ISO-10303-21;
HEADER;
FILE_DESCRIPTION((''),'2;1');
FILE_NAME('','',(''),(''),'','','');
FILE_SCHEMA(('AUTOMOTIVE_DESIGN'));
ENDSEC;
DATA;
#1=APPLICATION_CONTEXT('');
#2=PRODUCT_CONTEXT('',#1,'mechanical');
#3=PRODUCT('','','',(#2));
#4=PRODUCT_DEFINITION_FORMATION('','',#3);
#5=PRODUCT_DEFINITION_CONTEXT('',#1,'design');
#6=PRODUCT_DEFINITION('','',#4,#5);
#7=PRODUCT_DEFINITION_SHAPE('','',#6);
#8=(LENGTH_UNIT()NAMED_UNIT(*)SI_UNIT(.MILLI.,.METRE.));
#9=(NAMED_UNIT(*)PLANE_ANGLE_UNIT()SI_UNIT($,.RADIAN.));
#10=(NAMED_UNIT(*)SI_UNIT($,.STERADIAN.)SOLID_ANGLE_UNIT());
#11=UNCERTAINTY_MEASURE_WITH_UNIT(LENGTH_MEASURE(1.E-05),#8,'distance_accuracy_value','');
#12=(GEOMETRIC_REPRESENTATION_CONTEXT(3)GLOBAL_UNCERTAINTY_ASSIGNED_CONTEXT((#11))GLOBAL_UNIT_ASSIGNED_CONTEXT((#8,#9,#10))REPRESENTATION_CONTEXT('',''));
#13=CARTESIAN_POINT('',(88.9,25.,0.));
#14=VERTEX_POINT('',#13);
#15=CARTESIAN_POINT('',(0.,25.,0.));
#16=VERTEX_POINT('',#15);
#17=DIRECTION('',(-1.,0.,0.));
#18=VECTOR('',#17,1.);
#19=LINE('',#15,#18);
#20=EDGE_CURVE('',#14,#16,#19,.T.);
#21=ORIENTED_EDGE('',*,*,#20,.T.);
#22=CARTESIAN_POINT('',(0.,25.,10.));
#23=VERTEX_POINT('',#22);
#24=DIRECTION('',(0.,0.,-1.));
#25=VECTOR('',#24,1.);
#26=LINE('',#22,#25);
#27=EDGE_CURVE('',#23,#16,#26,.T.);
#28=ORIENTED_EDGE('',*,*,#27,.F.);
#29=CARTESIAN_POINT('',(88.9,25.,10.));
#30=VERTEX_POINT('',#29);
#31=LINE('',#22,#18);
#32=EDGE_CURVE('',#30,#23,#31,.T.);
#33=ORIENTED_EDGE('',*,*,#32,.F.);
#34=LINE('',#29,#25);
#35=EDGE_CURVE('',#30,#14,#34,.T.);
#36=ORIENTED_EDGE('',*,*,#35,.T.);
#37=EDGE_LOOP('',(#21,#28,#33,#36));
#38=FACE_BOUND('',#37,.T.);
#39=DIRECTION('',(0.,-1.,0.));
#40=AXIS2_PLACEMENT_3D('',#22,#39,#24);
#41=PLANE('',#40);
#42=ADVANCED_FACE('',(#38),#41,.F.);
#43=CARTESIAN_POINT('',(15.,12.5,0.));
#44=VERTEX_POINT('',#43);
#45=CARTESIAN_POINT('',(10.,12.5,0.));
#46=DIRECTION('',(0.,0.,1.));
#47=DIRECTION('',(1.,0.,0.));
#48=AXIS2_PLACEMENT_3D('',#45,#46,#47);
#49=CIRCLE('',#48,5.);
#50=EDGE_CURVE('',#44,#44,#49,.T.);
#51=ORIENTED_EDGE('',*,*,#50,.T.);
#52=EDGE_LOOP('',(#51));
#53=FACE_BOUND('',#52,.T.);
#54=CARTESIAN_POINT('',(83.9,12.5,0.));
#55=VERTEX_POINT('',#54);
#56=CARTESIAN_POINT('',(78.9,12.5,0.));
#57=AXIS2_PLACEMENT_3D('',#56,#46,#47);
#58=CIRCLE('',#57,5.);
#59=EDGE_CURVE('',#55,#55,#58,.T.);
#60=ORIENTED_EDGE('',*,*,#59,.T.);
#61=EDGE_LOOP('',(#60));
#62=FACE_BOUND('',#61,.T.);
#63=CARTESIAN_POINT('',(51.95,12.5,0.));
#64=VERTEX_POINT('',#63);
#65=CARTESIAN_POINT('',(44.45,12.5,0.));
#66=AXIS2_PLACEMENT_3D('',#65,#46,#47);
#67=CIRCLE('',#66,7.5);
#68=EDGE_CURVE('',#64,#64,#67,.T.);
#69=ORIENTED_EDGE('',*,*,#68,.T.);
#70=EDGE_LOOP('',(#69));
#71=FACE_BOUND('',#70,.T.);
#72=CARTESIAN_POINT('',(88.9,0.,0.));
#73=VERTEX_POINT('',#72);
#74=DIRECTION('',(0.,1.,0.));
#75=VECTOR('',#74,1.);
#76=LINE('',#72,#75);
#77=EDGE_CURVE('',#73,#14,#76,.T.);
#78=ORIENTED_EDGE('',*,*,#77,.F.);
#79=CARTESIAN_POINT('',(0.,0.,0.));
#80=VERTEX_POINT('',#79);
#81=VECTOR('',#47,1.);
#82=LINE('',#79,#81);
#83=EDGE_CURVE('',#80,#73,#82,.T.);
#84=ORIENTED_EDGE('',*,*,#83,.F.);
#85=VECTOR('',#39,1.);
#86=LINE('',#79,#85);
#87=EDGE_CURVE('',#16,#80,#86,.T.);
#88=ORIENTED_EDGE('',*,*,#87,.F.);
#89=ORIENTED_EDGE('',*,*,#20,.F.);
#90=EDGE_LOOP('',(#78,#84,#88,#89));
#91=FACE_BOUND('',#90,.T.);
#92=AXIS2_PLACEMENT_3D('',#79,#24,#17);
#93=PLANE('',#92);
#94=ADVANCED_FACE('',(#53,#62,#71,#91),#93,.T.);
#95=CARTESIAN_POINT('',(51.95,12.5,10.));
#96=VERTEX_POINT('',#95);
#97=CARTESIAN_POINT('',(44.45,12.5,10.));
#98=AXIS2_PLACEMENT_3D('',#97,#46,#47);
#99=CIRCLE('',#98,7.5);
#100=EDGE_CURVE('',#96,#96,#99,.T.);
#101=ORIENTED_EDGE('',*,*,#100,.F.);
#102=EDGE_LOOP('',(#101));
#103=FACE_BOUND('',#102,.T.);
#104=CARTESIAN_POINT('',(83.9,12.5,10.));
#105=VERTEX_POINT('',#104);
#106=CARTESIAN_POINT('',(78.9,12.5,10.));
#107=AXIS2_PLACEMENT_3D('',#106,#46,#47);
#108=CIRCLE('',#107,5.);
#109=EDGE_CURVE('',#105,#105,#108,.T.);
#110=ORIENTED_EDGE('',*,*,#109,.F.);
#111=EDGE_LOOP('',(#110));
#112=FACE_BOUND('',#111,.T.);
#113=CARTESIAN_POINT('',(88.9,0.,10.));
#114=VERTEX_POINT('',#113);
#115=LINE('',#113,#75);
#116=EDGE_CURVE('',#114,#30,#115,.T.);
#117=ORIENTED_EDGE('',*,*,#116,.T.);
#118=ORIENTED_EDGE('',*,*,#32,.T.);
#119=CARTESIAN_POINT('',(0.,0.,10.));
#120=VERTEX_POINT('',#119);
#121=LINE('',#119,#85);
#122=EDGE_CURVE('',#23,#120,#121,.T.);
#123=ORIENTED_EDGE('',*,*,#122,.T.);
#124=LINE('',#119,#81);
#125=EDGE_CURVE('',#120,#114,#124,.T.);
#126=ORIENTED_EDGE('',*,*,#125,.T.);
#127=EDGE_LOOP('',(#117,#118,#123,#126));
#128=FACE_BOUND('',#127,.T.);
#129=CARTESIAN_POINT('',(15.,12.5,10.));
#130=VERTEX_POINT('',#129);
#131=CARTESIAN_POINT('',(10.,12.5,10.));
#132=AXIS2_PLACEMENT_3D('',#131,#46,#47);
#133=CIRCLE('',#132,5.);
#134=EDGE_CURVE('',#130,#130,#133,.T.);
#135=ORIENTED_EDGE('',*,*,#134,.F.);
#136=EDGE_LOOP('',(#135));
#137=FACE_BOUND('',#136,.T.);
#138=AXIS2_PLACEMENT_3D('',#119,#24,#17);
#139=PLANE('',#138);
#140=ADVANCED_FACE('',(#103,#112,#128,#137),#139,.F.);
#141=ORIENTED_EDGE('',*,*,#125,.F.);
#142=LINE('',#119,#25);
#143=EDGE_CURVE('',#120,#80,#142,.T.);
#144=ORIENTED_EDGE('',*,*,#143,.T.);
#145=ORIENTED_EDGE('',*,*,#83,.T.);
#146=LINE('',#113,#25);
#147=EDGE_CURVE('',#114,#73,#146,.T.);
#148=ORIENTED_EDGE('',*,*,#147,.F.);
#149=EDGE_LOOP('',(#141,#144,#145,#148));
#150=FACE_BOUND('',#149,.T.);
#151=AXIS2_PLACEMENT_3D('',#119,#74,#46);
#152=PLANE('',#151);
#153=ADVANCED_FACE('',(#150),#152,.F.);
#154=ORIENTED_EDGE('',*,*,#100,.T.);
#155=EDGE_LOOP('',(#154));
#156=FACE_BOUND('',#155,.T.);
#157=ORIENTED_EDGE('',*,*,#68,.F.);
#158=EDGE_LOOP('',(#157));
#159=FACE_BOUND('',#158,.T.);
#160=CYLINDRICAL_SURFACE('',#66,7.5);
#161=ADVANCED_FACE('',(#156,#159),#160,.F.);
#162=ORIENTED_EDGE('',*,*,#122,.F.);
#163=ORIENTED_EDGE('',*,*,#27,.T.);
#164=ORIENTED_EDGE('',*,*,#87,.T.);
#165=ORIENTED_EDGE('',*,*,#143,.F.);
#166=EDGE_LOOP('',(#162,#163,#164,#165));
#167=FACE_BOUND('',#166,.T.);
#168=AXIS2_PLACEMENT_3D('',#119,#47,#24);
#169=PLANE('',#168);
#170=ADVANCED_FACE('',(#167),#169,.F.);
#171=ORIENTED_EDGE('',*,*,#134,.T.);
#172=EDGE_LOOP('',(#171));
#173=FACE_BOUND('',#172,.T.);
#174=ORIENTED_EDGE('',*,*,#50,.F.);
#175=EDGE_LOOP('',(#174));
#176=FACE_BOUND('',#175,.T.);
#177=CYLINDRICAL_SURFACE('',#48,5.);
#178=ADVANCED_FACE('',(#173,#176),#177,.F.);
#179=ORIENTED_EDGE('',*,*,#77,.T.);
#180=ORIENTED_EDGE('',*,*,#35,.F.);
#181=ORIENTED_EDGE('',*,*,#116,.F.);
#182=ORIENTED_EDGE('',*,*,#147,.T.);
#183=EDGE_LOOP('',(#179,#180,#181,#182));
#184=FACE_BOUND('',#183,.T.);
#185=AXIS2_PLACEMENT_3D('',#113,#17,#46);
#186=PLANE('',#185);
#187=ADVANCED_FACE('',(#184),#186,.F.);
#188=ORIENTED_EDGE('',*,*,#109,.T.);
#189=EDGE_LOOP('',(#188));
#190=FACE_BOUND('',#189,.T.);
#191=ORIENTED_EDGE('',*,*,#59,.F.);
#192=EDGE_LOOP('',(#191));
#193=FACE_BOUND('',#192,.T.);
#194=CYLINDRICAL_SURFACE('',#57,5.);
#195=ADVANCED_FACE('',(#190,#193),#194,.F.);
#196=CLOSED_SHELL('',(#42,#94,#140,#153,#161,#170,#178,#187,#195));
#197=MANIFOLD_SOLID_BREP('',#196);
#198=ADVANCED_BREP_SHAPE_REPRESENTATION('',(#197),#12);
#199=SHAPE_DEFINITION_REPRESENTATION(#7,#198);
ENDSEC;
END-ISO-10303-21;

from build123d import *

# Parameters (mm, degrees)
SKETCH1_W           = 88.9
SKETCH1_H           = 25
BOSS_EXTRUDE1_DEPTH = 10
SKETCH2_R           = 5
SKETCH2_R_2         = 7.5
CUT_EXTRUDE1_DEPTH  = 93.888158556


with BuildPart() as part:
    # Sketch1 → Boss-Extrude1 (new body)
    with BuildSketch(Plane.XY):
        with Locations((44.45, 12.5)):
            Rectangle(SKETCH1_W, SKETCH1_H)
    extrude(amount=BOSS_EXTRUDE1_DEPTH)

    # Sketch2 → Cut-Extrude1 (cut, through all)
    with BuildSketch(Plane.XY.offset(10)):
        with Locations((10, 12.5)):
            Circle(SKETCH2_R)
        with Locations((78.9, 12.5)):
            Circle(SKETCH2_R)
        with Locations((44.45, 12.5)):
            Circle(SKETCH2_R_2)
    extrude(amount=-CUT_EXTRUDE1_DEPTH, mode=Mode.SUBTRACT)


solid = part.part
